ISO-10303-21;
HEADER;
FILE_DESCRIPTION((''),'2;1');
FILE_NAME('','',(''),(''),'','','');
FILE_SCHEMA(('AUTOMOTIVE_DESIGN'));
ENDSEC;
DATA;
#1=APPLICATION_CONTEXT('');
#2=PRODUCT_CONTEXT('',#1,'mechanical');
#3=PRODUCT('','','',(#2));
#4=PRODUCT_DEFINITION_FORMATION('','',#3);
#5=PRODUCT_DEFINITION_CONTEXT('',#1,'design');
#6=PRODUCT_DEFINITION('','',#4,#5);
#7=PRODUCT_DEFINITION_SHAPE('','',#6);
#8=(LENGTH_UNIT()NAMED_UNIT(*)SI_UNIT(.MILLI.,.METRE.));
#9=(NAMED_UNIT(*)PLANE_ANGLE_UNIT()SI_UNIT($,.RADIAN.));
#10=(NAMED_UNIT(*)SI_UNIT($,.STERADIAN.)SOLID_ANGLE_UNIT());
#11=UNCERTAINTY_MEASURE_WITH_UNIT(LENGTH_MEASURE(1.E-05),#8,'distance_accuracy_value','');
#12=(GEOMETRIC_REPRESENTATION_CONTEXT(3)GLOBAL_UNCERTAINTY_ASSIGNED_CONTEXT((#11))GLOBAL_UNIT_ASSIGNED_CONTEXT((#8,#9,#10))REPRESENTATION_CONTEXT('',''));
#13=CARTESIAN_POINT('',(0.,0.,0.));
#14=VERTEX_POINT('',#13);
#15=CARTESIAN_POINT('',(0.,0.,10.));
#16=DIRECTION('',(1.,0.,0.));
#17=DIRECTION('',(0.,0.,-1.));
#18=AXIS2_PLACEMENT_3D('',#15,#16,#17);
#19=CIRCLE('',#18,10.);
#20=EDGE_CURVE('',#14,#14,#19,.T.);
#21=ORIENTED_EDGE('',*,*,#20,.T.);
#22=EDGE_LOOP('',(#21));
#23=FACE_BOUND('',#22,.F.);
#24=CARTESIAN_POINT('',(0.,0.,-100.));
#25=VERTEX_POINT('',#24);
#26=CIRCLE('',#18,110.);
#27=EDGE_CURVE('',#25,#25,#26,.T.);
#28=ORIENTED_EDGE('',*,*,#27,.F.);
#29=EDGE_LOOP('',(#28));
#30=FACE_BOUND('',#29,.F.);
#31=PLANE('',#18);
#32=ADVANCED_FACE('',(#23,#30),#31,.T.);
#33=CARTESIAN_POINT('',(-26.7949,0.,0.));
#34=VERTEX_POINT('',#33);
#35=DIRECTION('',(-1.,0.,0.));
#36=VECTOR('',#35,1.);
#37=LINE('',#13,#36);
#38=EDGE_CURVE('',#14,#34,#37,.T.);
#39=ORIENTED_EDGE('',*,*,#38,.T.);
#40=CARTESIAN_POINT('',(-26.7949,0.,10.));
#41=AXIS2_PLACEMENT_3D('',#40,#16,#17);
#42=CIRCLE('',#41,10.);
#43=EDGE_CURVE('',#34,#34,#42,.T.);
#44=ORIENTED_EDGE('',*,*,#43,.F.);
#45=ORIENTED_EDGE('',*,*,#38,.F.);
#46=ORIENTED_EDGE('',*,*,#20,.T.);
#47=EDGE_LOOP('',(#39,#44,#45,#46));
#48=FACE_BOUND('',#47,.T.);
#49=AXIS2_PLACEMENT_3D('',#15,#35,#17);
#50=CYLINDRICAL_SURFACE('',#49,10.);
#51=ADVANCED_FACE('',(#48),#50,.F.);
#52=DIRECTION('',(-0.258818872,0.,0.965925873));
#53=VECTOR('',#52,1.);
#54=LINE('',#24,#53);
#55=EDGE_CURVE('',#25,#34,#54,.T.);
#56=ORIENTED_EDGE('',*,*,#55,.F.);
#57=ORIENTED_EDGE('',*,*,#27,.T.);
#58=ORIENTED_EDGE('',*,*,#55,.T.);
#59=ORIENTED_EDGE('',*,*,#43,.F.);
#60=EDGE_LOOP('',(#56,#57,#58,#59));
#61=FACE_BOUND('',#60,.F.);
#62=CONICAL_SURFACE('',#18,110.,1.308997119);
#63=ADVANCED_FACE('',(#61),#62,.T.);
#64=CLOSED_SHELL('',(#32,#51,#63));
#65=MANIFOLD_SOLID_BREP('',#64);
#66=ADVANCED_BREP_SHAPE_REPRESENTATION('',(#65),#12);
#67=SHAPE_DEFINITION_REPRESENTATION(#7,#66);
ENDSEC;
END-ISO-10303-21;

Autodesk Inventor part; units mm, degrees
ref_plane "YZ Plane" through (0, 0, 0) normal (1, 0, 0) x (0, 1, 0)
ref_plane "XZ Plane" through (0, 0, 0) normal (0, 1, 0) x (-1, 0, 0)
ref_plane "XY Plane" through (0, 0, 0) normal (0, 0, 1) x (1, 0, 0)
sketch "Schizzo2" plane through (0, 0, 0) normal (0, 1, 0) x (-1, 0, 0)
  line L0 (0, 0) -> (0, -100)
  line L1 (0, -100) -> (26.7949, 0)
  line L2 (49.1742, 10) -> (-11.2229, 10) construction
  line L3 (0, 0) -> (26.7949, 0)
  dimension "d4" = 100
  dimension "d5" = 15
  dimension "d7" = 10
revolve "Rivoluzione4" add sketch "Schizzo2" angle 360 about axis through (-49.1742, 0, 10) along (1, 0, 0)
properties part number "Piatto"
